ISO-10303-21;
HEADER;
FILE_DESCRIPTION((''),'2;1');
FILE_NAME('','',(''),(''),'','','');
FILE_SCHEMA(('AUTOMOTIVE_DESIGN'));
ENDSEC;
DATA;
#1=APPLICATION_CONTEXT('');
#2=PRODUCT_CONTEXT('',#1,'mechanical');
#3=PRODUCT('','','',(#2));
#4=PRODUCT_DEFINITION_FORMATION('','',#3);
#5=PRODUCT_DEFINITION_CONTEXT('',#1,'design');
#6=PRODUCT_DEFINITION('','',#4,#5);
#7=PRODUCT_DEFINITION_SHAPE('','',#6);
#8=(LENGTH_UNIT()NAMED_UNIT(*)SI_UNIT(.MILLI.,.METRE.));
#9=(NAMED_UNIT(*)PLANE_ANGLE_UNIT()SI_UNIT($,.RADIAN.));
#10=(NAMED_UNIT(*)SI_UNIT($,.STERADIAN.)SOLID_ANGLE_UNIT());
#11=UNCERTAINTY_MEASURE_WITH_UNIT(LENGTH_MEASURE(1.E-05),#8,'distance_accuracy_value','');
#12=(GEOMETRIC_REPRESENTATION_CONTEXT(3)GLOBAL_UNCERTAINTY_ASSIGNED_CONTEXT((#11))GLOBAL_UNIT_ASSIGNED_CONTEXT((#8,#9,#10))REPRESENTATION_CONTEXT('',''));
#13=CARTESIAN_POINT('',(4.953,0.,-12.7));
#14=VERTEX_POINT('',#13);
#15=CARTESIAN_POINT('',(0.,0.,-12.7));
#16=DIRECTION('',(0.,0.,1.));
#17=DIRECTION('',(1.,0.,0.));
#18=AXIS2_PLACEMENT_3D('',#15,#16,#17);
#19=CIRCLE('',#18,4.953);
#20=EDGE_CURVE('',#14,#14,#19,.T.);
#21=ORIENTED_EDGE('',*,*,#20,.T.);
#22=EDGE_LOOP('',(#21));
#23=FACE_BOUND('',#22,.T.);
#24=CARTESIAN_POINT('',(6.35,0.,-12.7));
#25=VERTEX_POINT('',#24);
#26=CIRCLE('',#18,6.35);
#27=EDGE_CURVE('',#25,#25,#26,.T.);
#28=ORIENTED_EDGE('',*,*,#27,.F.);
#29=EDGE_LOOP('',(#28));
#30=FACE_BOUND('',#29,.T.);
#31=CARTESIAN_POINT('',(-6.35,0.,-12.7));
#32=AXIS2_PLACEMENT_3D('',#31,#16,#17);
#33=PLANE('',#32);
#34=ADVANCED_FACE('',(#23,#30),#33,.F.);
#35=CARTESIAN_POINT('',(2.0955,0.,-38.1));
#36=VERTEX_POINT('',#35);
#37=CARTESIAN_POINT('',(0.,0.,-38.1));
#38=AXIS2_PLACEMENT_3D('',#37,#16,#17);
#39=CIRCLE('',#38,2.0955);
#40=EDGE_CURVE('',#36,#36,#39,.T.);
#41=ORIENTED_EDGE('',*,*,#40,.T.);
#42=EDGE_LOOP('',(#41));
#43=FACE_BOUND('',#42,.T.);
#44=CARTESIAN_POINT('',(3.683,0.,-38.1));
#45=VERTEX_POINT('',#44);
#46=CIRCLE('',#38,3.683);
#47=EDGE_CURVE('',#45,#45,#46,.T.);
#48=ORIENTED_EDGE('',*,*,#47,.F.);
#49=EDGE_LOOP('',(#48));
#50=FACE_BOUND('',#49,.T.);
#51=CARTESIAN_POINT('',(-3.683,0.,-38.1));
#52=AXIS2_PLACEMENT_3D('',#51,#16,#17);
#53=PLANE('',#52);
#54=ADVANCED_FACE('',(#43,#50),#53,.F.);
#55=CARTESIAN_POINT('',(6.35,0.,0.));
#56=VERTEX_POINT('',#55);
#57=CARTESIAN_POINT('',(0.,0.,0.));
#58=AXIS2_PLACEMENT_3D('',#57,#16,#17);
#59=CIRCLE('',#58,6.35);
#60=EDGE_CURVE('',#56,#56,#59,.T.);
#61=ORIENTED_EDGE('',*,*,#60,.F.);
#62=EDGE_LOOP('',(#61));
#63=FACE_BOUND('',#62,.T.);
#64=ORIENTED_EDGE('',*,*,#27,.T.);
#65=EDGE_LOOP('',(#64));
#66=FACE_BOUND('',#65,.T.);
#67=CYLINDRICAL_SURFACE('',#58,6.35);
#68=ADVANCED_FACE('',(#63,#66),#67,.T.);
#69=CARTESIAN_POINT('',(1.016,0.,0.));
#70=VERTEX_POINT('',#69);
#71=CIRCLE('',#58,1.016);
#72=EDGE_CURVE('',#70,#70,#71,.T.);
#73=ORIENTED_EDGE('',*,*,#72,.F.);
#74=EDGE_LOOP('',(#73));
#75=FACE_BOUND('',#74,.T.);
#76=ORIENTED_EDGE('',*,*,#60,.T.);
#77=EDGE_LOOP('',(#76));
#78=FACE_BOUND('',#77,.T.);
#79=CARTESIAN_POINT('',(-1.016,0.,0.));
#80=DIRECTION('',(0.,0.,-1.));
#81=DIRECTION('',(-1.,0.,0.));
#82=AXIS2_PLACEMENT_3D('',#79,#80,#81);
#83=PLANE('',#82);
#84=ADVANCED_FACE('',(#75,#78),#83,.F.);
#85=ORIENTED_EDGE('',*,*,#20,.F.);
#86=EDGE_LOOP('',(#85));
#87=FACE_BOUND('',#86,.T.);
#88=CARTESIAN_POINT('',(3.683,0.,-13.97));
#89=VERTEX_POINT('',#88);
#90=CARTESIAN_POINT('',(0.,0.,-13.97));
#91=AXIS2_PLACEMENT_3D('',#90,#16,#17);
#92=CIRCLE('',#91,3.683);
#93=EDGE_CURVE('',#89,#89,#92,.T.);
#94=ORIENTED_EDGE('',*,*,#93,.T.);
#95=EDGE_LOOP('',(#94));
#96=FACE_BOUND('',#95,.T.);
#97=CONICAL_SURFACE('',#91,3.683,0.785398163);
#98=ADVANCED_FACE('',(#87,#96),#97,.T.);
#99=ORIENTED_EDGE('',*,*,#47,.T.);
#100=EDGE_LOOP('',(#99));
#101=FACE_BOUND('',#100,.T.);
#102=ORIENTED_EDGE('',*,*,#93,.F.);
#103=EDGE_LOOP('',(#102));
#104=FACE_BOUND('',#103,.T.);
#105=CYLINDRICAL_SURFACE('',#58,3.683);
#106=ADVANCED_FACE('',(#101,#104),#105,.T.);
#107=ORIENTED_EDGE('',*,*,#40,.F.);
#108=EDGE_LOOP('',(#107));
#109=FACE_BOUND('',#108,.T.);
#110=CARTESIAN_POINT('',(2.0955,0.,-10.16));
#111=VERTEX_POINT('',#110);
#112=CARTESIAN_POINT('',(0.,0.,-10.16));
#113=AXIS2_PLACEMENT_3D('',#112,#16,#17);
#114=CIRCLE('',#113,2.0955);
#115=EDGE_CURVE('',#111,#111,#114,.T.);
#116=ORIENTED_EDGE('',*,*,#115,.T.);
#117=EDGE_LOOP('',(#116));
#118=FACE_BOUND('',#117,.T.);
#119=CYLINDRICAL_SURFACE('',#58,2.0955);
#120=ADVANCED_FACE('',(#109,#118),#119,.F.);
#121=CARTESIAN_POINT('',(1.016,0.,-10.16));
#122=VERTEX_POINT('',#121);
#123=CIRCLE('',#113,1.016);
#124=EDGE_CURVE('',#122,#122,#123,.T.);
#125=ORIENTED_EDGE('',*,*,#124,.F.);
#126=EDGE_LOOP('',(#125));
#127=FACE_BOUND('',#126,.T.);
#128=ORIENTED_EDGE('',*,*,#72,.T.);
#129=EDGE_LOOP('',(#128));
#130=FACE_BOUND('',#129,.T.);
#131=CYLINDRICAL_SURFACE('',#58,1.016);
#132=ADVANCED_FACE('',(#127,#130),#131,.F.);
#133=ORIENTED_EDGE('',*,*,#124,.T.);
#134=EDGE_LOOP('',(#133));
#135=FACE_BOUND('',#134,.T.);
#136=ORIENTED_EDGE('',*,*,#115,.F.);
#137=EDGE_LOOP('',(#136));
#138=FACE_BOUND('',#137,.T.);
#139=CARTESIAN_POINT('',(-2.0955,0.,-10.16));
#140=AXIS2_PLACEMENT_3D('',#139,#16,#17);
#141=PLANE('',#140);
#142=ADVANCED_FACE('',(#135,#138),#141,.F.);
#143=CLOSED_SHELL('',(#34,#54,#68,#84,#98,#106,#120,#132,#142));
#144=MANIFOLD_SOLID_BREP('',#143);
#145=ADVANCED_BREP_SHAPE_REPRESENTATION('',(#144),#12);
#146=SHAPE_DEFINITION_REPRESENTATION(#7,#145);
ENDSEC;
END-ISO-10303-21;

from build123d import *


with BuildPart() as part:
    # Sketch2 → Revolve1 (revolve)
    with BuildSketch(Plane(origin=(0, 0, 0), x_dir=(1, 0, 0), z_dir=(0, 1, 0)), mode=Mode.PRIVATE) as revolve1_sk:
        Polygon((-1.016, 0), (-6.35, 0), (-6.35, 12.7), (-4.953, 12.7), (-3.683, 13.97), (-3.683, 38.1), (-2.0955, 38.1), (-2.0955, 10.16), (-1.016, 10.16), align=None)
    revolve(revolve1_sk.sketch.rotate(Axis((0, 0, 0), (0, 0, -1)), 180), axis=Axis((0, 0, 0), (0, 0, -1)))


solid = part.part
